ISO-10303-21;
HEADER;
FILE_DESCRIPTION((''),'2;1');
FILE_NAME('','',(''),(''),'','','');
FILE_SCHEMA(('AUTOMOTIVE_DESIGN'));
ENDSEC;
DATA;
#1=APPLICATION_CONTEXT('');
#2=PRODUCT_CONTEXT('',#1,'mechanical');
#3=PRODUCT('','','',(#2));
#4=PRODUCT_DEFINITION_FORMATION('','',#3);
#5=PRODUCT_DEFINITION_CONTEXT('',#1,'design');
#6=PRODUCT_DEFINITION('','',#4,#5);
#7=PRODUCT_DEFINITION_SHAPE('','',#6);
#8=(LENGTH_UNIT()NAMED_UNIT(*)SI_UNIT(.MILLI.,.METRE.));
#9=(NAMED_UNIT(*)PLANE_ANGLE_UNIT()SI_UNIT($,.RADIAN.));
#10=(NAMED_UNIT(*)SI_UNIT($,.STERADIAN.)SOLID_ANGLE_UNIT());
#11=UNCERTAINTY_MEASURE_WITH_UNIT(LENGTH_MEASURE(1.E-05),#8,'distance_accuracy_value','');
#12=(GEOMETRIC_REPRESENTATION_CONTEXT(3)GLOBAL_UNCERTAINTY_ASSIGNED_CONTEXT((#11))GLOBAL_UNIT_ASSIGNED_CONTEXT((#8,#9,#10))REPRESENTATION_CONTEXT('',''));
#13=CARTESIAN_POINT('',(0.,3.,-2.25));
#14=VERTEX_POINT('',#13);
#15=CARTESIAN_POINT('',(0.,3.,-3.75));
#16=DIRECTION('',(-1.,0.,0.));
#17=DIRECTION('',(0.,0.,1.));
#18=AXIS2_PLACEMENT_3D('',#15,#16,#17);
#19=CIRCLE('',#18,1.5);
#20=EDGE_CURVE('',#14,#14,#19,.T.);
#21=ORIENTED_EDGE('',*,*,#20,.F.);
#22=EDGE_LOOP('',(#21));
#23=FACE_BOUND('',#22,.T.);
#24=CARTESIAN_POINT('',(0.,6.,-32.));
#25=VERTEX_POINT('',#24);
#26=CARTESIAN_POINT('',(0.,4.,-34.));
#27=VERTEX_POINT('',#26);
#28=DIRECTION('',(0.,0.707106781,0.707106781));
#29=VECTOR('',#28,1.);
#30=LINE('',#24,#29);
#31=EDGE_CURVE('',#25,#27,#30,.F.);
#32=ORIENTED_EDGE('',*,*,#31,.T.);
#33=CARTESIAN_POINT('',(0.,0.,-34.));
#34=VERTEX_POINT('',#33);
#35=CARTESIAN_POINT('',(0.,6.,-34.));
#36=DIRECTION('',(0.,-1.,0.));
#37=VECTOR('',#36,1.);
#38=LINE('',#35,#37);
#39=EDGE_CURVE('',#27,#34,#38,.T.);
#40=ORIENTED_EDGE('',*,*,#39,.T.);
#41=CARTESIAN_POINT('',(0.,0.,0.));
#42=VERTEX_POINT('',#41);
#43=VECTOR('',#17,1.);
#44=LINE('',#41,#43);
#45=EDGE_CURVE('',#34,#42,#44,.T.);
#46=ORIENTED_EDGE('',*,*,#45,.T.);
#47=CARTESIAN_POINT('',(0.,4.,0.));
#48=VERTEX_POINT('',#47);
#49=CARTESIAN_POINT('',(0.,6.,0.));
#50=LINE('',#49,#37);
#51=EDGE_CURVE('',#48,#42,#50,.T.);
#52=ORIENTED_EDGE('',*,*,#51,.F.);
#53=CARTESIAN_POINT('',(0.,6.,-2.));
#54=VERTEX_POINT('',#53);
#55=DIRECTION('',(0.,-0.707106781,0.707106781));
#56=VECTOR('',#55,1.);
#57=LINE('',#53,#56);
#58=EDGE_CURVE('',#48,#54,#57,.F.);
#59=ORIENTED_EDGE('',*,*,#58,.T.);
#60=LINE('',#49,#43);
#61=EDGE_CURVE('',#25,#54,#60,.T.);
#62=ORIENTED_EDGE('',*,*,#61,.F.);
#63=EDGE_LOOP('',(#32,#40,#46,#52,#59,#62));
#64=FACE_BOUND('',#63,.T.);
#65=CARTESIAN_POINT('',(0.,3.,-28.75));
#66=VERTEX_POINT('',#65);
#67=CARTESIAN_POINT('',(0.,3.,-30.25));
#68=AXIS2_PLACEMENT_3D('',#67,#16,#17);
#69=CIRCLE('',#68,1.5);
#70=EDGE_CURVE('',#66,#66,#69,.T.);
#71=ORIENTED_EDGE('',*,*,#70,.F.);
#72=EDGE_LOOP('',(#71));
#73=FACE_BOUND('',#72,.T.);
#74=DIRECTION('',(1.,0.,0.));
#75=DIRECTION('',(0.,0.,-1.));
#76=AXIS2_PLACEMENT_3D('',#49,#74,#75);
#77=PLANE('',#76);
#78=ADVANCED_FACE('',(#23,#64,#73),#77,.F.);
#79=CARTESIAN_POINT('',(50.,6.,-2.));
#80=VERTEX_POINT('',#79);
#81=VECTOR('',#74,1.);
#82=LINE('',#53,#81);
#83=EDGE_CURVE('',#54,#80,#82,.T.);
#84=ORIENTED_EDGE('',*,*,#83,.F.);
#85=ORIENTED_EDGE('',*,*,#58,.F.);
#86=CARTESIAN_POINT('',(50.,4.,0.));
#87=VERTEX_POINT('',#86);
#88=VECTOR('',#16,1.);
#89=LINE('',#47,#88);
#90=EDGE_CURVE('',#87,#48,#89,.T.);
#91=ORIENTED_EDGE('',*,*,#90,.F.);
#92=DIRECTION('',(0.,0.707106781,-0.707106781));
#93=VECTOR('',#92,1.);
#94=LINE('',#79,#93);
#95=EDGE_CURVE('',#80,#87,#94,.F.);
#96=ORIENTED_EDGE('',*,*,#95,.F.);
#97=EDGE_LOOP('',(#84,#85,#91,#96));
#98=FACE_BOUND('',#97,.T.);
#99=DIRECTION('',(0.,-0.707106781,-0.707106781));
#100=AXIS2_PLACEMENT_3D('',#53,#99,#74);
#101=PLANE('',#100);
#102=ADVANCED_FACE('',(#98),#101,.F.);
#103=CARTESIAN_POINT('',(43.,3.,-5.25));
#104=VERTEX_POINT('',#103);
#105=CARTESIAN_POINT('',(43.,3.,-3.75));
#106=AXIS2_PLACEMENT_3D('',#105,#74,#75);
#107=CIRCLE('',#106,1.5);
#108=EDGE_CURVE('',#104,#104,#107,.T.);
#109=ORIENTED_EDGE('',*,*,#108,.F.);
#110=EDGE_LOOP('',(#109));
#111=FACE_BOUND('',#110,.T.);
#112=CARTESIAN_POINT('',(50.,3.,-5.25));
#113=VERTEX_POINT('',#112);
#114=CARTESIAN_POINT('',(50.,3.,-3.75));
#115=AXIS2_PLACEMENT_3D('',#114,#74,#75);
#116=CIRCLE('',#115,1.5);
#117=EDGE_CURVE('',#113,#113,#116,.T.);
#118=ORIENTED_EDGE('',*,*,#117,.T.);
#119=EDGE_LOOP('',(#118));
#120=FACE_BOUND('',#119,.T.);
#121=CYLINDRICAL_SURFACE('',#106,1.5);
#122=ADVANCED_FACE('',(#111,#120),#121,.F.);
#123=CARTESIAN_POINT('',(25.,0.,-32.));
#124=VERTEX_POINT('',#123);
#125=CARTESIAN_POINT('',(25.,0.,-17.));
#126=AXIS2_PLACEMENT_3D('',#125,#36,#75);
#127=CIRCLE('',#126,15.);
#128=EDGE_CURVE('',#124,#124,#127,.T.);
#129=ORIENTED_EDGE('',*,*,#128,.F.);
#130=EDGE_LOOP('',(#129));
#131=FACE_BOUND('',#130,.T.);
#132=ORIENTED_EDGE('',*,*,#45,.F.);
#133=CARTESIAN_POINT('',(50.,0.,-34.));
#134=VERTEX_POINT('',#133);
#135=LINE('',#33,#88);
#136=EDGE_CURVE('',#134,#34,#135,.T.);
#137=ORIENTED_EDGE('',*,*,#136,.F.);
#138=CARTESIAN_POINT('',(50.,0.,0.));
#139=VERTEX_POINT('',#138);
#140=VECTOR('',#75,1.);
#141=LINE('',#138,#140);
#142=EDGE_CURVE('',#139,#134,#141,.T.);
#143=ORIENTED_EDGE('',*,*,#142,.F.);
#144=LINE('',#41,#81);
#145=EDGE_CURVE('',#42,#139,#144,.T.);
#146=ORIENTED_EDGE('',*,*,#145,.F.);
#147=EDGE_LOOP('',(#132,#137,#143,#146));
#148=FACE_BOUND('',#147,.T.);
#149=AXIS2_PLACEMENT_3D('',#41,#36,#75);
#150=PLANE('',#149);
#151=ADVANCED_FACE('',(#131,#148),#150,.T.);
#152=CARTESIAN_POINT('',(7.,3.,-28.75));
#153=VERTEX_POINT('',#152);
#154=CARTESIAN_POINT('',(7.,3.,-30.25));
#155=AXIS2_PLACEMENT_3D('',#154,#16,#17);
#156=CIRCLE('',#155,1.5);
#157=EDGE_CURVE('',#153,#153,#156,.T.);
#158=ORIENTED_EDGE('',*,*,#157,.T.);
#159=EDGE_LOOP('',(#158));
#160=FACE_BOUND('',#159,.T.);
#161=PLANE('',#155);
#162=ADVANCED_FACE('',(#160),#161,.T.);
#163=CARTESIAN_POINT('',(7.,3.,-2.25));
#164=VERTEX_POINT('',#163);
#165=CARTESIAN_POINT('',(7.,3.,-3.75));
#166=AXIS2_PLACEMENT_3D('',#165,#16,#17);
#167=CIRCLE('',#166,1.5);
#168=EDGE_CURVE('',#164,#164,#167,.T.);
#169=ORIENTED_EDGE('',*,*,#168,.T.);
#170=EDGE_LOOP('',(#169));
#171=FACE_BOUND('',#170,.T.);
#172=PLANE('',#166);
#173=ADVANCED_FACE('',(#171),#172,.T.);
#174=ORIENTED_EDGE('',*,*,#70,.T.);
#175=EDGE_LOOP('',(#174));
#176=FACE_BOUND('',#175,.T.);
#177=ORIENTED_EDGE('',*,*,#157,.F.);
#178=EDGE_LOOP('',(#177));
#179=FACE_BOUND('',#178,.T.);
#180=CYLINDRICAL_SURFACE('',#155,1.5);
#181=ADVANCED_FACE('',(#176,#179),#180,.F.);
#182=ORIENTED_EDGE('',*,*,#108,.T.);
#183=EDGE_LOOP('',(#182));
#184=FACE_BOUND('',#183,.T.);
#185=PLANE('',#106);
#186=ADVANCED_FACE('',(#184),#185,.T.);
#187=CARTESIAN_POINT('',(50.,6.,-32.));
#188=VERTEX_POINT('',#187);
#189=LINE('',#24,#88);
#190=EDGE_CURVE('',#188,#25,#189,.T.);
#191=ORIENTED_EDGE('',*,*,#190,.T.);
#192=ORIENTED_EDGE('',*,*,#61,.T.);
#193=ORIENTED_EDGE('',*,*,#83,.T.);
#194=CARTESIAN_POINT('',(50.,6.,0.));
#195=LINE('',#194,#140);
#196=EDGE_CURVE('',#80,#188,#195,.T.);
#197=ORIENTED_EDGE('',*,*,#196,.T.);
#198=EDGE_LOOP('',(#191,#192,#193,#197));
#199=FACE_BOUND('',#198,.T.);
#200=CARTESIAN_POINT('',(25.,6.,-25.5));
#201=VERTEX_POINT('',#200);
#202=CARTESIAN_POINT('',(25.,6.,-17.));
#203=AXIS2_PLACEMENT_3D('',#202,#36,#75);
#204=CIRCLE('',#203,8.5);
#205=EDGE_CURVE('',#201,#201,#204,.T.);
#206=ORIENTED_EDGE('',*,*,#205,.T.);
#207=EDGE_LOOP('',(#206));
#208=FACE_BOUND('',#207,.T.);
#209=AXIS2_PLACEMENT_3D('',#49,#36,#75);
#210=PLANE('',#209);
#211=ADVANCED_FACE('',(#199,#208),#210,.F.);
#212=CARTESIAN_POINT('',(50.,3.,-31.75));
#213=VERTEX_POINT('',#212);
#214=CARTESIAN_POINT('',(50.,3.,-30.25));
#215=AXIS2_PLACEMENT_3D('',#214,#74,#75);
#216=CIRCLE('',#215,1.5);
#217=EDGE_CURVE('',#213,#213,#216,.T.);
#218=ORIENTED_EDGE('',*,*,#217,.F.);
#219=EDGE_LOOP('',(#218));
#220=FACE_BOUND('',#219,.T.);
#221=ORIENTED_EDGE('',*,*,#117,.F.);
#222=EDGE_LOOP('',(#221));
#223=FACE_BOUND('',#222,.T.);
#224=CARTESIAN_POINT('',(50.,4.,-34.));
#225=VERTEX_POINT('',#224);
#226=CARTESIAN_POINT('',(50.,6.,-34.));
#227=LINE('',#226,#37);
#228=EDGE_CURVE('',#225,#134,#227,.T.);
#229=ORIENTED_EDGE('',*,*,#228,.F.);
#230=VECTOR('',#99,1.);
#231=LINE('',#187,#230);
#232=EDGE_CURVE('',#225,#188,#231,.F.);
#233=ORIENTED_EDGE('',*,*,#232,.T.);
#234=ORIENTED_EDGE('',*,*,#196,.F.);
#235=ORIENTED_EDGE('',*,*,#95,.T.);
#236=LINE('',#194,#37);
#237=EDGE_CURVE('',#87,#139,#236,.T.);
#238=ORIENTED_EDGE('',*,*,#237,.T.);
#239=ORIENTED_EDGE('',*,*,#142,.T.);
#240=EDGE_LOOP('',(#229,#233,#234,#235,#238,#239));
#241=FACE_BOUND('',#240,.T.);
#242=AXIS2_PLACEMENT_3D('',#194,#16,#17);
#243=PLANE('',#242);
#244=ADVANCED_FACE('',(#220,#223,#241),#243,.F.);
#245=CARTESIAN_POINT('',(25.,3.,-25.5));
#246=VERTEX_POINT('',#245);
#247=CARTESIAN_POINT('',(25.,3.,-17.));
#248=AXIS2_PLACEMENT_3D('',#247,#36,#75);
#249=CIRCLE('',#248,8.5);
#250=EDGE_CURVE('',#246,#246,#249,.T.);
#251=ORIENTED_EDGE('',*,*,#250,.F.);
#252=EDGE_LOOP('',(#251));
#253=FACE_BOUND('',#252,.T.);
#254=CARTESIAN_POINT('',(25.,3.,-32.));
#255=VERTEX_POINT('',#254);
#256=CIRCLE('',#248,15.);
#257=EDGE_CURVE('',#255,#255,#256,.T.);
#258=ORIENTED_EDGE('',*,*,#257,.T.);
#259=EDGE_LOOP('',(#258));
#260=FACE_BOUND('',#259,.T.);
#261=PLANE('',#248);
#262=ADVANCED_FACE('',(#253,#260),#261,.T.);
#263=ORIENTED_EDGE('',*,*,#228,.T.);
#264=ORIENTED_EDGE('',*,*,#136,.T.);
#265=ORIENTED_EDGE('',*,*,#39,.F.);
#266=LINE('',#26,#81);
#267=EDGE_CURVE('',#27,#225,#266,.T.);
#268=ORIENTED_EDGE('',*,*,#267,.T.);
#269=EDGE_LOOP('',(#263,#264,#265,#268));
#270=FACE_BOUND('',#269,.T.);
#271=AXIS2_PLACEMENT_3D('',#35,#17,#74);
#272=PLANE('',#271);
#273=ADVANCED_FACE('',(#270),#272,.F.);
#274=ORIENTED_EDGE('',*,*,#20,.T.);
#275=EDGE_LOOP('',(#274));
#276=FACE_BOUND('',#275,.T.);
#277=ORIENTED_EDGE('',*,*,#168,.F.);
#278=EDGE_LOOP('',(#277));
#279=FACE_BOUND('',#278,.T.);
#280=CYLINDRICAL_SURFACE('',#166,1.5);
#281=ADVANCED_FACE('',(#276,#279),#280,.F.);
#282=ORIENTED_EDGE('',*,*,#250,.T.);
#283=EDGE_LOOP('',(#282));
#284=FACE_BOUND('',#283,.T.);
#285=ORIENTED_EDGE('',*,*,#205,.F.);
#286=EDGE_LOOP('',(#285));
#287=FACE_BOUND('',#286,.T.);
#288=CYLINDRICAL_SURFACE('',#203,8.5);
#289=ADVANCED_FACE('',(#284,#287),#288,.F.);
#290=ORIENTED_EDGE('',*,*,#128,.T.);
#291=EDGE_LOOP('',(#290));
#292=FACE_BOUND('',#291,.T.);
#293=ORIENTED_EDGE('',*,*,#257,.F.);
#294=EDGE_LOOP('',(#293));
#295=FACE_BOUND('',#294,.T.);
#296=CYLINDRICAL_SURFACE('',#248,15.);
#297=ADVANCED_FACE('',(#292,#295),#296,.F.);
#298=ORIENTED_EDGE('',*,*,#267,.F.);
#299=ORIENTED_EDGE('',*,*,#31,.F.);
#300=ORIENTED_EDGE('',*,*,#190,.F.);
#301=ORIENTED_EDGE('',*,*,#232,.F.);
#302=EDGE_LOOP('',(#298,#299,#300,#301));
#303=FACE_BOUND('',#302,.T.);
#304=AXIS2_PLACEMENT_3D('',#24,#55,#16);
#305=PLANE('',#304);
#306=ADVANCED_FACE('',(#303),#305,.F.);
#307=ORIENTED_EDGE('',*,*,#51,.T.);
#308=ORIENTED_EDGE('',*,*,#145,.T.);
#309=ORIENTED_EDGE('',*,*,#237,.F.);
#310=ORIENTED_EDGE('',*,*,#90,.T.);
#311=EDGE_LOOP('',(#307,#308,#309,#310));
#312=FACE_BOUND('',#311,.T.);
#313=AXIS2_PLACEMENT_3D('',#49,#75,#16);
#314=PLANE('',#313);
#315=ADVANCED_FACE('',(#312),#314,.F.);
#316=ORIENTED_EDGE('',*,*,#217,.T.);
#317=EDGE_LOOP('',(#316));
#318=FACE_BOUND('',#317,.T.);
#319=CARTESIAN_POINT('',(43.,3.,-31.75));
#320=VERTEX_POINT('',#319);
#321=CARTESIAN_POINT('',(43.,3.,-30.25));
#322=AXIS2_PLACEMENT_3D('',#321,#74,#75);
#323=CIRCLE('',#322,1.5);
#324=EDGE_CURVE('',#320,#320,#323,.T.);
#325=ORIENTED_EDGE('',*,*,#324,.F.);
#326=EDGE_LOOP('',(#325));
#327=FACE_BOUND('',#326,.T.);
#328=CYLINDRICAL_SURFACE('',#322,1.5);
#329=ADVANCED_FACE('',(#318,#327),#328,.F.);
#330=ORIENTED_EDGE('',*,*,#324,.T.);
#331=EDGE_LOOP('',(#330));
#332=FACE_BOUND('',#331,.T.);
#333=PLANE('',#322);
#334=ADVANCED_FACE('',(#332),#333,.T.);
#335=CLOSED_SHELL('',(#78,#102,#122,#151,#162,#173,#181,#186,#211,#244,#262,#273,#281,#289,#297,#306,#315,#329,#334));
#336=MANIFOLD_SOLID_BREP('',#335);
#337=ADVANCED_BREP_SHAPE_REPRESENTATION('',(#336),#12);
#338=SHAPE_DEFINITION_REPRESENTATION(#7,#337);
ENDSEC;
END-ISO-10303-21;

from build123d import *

# Parameters (mm, degrees)
SKETCH1_W           = 50
SKETCH1_H           = 34
BOSS_EXTRUDE1_DEPTH = 6
SKETCH2_R           = 1.5
CUT_EXTRUDE1_DEPTH  = 7
CUT_EXTRUDE2_START  = -7
SKETCH3_R           = 1.5
CUT_EXTRUDE2_DEPTH  = 7
CHAMFER1_SIZE       = 2
SKETCH4_R           = 15
CUT_EXTRUDE3_DEPTH  = 3
SKETCH5_R           = 8.5
CUT_EXTRUDE4_DEPTH  = 3


with BuildPart() as part:
    # Sketch1 → Boss-Extrude1 (new body)
    with BuildSketch(Plane(origin=(0, 0, 0), x_dir=(1, 0, 0), z_dir=(0, 1, 0))):
        with Locations((25, 17)):
            Rectangle(SKETCH1_W, SKETCH1_H)
    extrude(amount=BOSS_EXTRUDE1_DEPTH)

    # Sketch2 → Cut-Extrude1 (cut)
    with BuildSketch(Plane(origin=(50, 0, 0), x_dir=(0, 0, -1), z_dir=(1, 0, 0))):
        with Locations((3.75, 3)):
            Circle(SKETCH2_R)
        with Locations((30.25, 3)):
            Circle(SKETCH2_R)
    extrude(amount=-CUT_EXTRUDE1_DEPTH, mode=Mode.SUBTRACT)

    # Sketch3 → Cut-Extrude2 (cut)
    with BuildSketch(Plane.ZY.offset(CUT_EXTRUDE2_START)):
        with Locations(Location((-30.25, 3, 0), (0, 0, 180))):
            Circle(SKETCH3_R)
        with Locations(Location((-3.75, 3, 0), (0, 0, 180))):
            Circle(SKETCH3_R)
    extrude(amount=CUT_EXTRUDE2_DEPTH, mode=Mode.SUBTRACT)

    # Chamfer1
    chamfer1_edges = [part.edges().sort_by_distance(p)[0] for p in [
        (25, 6, -34),
        (25, 6, 0),
    ]]
    chamfer(chamfer1_edges, length=CHAMFER1_SIZE)

    # Sketch4 → Cut-Extrude3 (cut)
    with BuildSketch(Plane.XZ):
        with Locations(Location((25, -17, 0), (0, 0, 270))):
            Circle(SKETCH4_R)
    extrude(amount=-CUT_EXTRUDE3_DEPTH, mode=Mode.SUBTRACT)

    # Sketch5 → Cut-Extrude4 (cut)
    with BuildSketch(Plane.XZ.offset(-3)):
        with Locations(Location((25, -17, 0), (0, 0, 270))):
            Circle(SKETCH5_R)
    extrude(amount=-CUT_EXTRUDE4_DEPTH, mode=Mode.SUBTRACT)


solid = part.part
